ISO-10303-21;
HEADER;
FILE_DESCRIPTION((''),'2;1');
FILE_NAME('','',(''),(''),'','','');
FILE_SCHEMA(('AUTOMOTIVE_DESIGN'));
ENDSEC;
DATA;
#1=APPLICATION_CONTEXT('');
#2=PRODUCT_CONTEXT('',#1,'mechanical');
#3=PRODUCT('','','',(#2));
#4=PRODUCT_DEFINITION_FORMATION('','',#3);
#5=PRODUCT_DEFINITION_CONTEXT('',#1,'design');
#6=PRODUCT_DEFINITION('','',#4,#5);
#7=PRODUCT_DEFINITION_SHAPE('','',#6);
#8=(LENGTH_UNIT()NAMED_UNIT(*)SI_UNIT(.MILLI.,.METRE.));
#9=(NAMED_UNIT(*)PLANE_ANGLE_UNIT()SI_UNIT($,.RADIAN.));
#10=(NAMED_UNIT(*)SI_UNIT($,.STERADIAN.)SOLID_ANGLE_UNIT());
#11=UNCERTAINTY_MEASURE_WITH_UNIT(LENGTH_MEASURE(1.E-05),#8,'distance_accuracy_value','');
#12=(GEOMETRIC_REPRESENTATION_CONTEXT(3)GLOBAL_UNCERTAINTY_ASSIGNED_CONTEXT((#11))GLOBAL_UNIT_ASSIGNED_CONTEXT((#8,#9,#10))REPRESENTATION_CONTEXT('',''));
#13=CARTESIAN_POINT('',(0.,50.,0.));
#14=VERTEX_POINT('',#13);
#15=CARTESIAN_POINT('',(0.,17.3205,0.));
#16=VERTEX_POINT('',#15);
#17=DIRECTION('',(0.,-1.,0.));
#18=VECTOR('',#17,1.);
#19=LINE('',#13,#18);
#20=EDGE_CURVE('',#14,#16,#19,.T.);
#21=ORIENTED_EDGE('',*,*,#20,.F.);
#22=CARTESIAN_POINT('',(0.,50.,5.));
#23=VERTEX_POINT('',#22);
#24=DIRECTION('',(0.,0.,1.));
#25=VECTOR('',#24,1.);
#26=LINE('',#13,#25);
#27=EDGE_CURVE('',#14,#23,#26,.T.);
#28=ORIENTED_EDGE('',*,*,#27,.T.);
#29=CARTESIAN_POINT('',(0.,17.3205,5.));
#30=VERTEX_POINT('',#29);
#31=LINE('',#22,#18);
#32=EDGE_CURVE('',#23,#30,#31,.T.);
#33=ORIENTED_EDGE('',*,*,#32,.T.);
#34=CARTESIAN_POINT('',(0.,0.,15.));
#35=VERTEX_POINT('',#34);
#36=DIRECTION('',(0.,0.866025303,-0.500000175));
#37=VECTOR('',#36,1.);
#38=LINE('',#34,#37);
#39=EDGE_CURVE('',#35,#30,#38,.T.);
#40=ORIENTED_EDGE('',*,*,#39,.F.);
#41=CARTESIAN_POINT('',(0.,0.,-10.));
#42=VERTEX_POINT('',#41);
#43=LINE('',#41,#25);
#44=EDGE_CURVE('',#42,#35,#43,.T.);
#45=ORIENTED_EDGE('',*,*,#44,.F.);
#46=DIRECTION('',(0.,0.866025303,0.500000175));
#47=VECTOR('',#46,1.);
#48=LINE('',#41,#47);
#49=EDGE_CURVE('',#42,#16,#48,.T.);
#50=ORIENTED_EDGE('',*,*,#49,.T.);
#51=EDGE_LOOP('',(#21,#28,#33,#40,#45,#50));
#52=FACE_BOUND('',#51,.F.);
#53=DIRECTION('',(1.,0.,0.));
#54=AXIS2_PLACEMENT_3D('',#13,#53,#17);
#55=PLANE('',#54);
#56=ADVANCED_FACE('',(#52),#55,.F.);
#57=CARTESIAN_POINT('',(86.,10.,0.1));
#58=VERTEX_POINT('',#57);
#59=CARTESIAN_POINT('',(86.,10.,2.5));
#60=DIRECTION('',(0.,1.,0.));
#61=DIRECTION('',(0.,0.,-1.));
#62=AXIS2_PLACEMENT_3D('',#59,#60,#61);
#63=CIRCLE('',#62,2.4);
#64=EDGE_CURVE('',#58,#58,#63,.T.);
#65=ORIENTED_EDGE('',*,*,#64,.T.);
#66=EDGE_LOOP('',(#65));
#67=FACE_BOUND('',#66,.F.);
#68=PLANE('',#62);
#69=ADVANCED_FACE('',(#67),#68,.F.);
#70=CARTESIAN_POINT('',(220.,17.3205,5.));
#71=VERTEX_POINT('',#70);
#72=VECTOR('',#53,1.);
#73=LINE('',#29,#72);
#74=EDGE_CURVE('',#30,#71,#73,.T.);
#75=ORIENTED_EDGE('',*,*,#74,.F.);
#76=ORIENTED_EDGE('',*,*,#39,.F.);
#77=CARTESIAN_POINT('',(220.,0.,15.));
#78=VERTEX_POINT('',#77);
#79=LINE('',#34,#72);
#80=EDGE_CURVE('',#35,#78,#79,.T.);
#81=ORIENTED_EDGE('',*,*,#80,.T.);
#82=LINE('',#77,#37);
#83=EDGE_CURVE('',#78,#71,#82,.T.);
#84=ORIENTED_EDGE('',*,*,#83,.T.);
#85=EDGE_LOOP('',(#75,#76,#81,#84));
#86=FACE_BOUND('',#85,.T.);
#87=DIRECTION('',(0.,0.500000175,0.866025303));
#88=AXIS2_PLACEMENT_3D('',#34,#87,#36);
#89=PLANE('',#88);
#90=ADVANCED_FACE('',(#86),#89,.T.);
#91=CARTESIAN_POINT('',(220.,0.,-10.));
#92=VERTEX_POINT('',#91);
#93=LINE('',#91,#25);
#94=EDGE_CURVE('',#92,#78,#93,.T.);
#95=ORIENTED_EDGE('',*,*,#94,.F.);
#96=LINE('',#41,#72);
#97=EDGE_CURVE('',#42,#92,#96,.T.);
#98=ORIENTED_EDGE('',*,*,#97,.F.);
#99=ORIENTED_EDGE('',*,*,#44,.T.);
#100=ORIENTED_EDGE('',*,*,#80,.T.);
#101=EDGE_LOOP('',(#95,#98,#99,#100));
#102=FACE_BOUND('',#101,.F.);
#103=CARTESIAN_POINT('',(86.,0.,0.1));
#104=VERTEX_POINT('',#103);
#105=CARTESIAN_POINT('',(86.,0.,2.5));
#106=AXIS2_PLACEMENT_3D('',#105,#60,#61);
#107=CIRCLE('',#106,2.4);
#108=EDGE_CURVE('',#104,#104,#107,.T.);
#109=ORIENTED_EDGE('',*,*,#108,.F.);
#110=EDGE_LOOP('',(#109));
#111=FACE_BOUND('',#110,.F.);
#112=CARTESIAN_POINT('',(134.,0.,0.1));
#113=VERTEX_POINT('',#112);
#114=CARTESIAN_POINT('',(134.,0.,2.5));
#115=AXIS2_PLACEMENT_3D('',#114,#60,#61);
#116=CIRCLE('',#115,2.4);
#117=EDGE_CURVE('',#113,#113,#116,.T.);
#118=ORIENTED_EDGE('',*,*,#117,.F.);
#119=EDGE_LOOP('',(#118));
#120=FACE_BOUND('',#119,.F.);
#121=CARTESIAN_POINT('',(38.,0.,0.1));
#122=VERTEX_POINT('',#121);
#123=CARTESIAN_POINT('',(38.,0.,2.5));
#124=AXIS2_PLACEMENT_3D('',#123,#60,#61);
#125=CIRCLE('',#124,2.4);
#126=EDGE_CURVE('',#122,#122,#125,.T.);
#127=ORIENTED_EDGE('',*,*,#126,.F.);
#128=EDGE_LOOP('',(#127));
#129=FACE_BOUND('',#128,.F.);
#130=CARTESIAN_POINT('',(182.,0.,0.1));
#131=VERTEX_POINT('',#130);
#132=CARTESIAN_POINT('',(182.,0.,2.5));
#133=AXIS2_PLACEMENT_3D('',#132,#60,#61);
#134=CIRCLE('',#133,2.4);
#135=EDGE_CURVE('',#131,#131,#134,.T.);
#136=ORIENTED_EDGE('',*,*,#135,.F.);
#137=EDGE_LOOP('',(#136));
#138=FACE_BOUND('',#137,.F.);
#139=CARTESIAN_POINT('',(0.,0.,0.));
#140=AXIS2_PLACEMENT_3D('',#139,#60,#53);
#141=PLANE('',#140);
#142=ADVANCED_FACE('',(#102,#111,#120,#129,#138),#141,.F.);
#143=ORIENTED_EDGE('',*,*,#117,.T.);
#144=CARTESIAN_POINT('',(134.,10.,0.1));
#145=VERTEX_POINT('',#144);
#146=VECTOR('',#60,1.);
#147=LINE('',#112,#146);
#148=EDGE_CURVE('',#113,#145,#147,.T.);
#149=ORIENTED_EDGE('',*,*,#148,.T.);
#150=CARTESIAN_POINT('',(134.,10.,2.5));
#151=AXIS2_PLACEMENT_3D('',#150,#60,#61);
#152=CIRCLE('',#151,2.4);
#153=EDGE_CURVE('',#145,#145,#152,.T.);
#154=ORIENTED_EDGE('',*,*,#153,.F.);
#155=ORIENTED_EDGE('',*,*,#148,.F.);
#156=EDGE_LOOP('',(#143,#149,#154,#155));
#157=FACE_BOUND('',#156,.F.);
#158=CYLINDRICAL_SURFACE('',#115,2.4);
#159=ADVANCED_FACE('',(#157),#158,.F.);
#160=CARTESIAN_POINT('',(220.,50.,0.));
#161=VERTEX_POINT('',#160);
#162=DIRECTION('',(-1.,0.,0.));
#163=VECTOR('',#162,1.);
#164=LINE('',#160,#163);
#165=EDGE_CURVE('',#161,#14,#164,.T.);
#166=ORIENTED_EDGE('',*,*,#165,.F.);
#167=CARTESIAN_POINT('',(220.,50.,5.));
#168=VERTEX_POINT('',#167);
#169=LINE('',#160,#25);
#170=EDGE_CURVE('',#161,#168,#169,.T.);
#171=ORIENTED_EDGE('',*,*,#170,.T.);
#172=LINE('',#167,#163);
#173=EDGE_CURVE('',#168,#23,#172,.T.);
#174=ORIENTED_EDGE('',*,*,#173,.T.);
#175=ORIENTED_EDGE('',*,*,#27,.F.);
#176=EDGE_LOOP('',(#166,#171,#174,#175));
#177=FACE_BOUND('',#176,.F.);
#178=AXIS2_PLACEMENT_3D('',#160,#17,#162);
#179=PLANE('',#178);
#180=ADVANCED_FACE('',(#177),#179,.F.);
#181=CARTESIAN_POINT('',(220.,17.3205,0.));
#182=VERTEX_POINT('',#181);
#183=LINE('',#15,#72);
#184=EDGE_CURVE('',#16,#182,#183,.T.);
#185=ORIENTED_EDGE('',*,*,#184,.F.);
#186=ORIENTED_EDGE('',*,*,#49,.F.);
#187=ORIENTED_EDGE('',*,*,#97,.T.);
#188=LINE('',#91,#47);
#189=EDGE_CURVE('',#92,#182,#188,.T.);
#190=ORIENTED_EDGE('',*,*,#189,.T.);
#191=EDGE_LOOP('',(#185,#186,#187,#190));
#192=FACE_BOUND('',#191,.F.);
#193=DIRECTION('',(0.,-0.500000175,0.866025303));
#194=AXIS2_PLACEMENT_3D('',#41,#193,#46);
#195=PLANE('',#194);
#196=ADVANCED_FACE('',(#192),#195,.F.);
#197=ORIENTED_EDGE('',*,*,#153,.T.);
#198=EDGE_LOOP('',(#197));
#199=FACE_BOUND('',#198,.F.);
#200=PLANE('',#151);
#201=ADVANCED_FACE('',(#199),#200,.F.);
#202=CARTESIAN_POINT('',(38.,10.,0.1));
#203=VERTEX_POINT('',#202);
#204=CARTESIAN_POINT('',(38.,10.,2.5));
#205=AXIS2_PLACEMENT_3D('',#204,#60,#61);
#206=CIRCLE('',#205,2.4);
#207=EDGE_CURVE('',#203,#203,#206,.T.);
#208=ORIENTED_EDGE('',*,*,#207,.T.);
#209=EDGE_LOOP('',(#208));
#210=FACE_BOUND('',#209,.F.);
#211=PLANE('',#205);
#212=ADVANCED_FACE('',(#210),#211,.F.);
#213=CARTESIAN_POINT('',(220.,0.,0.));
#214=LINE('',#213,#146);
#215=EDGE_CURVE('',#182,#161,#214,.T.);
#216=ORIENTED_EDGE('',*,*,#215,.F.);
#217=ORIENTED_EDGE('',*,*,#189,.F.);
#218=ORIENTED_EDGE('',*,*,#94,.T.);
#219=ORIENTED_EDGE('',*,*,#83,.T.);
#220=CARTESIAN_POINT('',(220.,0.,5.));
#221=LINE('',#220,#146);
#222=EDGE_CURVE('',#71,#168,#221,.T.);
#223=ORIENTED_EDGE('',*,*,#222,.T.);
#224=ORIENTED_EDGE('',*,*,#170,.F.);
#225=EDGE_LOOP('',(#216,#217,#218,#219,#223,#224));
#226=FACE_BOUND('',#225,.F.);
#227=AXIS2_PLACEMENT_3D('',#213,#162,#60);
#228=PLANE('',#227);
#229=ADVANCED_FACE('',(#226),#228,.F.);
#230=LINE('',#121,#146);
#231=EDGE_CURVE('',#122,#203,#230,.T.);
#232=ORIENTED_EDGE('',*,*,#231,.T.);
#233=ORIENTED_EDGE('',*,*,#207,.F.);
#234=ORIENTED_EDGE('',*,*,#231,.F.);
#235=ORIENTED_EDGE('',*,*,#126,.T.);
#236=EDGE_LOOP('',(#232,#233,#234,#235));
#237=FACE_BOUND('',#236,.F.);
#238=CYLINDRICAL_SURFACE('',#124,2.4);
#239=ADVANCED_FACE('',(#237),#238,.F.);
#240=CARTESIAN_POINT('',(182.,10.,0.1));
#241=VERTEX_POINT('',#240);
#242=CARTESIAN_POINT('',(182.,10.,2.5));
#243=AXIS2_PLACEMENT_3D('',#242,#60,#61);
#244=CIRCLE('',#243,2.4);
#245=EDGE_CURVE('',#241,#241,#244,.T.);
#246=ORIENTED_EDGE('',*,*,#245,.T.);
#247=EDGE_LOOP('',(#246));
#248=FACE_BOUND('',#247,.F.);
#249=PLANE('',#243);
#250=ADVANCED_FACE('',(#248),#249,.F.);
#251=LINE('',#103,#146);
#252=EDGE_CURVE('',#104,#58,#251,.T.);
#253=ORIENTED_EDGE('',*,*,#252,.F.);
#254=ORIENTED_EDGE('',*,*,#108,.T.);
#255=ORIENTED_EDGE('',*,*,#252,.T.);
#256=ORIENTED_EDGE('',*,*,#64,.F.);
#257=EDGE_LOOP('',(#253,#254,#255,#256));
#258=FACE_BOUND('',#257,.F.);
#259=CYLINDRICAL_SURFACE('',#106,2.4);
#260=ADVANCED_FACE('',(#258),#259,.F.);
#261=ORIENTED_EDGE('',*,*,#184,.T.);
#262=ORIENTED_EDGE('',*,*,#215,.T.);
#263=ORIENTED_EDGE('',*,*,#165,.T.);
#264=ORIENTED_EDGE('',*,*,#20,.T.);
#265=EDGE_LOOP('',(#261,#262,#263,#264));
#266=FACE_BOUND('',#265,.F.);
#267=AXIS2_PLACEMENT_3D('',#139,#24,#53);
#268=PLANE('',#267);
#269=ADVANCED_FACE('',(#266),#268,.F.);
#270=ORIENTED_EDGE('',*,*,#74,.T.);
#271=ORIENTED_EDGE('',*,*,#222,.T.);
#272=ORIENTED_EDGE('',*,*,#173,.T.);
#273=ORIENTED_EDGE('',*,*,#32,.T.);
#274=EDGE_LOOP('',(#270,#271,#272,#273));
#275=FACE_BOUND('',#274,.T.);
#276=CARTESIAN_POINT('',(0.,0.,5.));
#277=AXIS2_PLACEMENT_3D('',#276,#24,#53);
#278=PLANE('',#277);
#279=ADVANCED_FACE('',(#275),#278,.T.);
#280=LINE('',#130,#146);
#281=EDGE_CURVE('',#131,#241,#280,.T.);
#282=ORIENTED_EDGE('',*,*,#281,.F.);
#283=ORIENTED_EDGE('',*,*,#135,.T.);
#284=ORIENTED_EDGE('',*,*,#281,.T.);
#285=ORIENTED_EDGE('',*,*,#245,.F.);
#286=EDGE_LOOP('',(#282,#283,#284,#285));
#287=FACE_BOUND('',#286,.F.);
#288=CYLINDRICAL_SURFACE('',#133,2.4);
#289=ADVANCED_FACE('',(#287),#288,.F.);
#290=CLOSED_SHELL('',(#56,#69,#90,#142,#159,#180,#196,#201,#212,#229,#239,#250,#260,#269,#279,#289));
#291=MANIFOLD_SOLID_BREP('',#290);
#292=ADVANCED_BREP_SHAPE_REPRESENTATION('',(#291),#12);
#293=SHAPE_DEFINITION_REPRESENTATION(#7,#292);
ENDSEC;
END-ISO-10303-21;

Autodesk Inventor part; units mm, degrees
ref_plane "YZ Plane" through (0, 0, 0) normal (1, 0, 0) x (0, 1, 0)
ref_plane "XZ Plane" through (0, 0, 0) normal (0, 1, 0) x (-1, 0, 0)
ref_plane "XY Plane" through (0, 0, 0) normal (0, 0, 1) x (1, 0, 0)
sketch "Sketch1" plane through (0, 0, 0) normal (0, 0, 1) x (1, 0, 0)
  line L0 (0, 0) -> (220, 0)
  line L1 (220, 0) -> (220, 50)
  line L2 (220, 50) -> (0, 50)
  line L3 (0, 50) -> (0, 0)
  dimension "d0" = 220
  dimension "d1" = 50
extrude "Extrusion1" add sketch "Sketch1" along normal blind 5
sketch "Sketch2" plane through (0, 0, 0) normal (0, -1, 0) x (1, 0, 0)
  line L0 (0, 0) -> (220, 0) projected
  line L1 (0, 5) -> (220, 5) projected
  line L2 (0, 0) -> (0, 5) projected
  point P0 (38, 2.5)
  point P1 (86, 2.5)
  point P2 (134, 2.5)
  point P3 (182, 2.5)
  point P4 (0, 2.5)
  dimension "d4" = 5
  dimension "d5" = 220
  dimension "d6" = 2.5
  dimension "d7" = 38
  dimension "d8" = 48
  dimension "d9" = 48
  dimension "d10" = 48
hole "Hole1" at (38, 0, 2.5) at (86, 0, 2.5) at (134, 0, 2.5) at (182, 0, 2.5) direction (0, 1, 0) diameter 4.8 depth 10
sketch "Sketch3" plane through (0, 0, 0) normal (-1, 0, 0) x (0, 0, 1)
  line L0 (4.9, 0) -> (0.1, 0) projected
  line L1 (0.1, 10) -> (4.9, 10) projected
  line L2 (4.9, 0) -> (0.1, 0) projected
  line L3 (0.1, 10) -> (4.9, 10) projected
  line L4 (0, 0) -> (-10, 0)
  line L5 (-10, 0) -> (0, 17.3205)
  line L6 (0, 50) -> (0, 0) projected
  line L7 (5, 50) -> (5, 0) projected
  line L8 (5, 0) -> (15, 0)
  line L9 (15, 0) -> (5, 17.3205)
  point P0 (66.5733, 11.83)
  dimension "d18" = 10
  dimension "d19" = 60
extrude "Extrusion2" add sketch "Sketch3" against normal up to surface (220 mm away)
equation "\"d6\" = 0.5 * d4"
properties part number "Disk_Barrier_3DPrint"
